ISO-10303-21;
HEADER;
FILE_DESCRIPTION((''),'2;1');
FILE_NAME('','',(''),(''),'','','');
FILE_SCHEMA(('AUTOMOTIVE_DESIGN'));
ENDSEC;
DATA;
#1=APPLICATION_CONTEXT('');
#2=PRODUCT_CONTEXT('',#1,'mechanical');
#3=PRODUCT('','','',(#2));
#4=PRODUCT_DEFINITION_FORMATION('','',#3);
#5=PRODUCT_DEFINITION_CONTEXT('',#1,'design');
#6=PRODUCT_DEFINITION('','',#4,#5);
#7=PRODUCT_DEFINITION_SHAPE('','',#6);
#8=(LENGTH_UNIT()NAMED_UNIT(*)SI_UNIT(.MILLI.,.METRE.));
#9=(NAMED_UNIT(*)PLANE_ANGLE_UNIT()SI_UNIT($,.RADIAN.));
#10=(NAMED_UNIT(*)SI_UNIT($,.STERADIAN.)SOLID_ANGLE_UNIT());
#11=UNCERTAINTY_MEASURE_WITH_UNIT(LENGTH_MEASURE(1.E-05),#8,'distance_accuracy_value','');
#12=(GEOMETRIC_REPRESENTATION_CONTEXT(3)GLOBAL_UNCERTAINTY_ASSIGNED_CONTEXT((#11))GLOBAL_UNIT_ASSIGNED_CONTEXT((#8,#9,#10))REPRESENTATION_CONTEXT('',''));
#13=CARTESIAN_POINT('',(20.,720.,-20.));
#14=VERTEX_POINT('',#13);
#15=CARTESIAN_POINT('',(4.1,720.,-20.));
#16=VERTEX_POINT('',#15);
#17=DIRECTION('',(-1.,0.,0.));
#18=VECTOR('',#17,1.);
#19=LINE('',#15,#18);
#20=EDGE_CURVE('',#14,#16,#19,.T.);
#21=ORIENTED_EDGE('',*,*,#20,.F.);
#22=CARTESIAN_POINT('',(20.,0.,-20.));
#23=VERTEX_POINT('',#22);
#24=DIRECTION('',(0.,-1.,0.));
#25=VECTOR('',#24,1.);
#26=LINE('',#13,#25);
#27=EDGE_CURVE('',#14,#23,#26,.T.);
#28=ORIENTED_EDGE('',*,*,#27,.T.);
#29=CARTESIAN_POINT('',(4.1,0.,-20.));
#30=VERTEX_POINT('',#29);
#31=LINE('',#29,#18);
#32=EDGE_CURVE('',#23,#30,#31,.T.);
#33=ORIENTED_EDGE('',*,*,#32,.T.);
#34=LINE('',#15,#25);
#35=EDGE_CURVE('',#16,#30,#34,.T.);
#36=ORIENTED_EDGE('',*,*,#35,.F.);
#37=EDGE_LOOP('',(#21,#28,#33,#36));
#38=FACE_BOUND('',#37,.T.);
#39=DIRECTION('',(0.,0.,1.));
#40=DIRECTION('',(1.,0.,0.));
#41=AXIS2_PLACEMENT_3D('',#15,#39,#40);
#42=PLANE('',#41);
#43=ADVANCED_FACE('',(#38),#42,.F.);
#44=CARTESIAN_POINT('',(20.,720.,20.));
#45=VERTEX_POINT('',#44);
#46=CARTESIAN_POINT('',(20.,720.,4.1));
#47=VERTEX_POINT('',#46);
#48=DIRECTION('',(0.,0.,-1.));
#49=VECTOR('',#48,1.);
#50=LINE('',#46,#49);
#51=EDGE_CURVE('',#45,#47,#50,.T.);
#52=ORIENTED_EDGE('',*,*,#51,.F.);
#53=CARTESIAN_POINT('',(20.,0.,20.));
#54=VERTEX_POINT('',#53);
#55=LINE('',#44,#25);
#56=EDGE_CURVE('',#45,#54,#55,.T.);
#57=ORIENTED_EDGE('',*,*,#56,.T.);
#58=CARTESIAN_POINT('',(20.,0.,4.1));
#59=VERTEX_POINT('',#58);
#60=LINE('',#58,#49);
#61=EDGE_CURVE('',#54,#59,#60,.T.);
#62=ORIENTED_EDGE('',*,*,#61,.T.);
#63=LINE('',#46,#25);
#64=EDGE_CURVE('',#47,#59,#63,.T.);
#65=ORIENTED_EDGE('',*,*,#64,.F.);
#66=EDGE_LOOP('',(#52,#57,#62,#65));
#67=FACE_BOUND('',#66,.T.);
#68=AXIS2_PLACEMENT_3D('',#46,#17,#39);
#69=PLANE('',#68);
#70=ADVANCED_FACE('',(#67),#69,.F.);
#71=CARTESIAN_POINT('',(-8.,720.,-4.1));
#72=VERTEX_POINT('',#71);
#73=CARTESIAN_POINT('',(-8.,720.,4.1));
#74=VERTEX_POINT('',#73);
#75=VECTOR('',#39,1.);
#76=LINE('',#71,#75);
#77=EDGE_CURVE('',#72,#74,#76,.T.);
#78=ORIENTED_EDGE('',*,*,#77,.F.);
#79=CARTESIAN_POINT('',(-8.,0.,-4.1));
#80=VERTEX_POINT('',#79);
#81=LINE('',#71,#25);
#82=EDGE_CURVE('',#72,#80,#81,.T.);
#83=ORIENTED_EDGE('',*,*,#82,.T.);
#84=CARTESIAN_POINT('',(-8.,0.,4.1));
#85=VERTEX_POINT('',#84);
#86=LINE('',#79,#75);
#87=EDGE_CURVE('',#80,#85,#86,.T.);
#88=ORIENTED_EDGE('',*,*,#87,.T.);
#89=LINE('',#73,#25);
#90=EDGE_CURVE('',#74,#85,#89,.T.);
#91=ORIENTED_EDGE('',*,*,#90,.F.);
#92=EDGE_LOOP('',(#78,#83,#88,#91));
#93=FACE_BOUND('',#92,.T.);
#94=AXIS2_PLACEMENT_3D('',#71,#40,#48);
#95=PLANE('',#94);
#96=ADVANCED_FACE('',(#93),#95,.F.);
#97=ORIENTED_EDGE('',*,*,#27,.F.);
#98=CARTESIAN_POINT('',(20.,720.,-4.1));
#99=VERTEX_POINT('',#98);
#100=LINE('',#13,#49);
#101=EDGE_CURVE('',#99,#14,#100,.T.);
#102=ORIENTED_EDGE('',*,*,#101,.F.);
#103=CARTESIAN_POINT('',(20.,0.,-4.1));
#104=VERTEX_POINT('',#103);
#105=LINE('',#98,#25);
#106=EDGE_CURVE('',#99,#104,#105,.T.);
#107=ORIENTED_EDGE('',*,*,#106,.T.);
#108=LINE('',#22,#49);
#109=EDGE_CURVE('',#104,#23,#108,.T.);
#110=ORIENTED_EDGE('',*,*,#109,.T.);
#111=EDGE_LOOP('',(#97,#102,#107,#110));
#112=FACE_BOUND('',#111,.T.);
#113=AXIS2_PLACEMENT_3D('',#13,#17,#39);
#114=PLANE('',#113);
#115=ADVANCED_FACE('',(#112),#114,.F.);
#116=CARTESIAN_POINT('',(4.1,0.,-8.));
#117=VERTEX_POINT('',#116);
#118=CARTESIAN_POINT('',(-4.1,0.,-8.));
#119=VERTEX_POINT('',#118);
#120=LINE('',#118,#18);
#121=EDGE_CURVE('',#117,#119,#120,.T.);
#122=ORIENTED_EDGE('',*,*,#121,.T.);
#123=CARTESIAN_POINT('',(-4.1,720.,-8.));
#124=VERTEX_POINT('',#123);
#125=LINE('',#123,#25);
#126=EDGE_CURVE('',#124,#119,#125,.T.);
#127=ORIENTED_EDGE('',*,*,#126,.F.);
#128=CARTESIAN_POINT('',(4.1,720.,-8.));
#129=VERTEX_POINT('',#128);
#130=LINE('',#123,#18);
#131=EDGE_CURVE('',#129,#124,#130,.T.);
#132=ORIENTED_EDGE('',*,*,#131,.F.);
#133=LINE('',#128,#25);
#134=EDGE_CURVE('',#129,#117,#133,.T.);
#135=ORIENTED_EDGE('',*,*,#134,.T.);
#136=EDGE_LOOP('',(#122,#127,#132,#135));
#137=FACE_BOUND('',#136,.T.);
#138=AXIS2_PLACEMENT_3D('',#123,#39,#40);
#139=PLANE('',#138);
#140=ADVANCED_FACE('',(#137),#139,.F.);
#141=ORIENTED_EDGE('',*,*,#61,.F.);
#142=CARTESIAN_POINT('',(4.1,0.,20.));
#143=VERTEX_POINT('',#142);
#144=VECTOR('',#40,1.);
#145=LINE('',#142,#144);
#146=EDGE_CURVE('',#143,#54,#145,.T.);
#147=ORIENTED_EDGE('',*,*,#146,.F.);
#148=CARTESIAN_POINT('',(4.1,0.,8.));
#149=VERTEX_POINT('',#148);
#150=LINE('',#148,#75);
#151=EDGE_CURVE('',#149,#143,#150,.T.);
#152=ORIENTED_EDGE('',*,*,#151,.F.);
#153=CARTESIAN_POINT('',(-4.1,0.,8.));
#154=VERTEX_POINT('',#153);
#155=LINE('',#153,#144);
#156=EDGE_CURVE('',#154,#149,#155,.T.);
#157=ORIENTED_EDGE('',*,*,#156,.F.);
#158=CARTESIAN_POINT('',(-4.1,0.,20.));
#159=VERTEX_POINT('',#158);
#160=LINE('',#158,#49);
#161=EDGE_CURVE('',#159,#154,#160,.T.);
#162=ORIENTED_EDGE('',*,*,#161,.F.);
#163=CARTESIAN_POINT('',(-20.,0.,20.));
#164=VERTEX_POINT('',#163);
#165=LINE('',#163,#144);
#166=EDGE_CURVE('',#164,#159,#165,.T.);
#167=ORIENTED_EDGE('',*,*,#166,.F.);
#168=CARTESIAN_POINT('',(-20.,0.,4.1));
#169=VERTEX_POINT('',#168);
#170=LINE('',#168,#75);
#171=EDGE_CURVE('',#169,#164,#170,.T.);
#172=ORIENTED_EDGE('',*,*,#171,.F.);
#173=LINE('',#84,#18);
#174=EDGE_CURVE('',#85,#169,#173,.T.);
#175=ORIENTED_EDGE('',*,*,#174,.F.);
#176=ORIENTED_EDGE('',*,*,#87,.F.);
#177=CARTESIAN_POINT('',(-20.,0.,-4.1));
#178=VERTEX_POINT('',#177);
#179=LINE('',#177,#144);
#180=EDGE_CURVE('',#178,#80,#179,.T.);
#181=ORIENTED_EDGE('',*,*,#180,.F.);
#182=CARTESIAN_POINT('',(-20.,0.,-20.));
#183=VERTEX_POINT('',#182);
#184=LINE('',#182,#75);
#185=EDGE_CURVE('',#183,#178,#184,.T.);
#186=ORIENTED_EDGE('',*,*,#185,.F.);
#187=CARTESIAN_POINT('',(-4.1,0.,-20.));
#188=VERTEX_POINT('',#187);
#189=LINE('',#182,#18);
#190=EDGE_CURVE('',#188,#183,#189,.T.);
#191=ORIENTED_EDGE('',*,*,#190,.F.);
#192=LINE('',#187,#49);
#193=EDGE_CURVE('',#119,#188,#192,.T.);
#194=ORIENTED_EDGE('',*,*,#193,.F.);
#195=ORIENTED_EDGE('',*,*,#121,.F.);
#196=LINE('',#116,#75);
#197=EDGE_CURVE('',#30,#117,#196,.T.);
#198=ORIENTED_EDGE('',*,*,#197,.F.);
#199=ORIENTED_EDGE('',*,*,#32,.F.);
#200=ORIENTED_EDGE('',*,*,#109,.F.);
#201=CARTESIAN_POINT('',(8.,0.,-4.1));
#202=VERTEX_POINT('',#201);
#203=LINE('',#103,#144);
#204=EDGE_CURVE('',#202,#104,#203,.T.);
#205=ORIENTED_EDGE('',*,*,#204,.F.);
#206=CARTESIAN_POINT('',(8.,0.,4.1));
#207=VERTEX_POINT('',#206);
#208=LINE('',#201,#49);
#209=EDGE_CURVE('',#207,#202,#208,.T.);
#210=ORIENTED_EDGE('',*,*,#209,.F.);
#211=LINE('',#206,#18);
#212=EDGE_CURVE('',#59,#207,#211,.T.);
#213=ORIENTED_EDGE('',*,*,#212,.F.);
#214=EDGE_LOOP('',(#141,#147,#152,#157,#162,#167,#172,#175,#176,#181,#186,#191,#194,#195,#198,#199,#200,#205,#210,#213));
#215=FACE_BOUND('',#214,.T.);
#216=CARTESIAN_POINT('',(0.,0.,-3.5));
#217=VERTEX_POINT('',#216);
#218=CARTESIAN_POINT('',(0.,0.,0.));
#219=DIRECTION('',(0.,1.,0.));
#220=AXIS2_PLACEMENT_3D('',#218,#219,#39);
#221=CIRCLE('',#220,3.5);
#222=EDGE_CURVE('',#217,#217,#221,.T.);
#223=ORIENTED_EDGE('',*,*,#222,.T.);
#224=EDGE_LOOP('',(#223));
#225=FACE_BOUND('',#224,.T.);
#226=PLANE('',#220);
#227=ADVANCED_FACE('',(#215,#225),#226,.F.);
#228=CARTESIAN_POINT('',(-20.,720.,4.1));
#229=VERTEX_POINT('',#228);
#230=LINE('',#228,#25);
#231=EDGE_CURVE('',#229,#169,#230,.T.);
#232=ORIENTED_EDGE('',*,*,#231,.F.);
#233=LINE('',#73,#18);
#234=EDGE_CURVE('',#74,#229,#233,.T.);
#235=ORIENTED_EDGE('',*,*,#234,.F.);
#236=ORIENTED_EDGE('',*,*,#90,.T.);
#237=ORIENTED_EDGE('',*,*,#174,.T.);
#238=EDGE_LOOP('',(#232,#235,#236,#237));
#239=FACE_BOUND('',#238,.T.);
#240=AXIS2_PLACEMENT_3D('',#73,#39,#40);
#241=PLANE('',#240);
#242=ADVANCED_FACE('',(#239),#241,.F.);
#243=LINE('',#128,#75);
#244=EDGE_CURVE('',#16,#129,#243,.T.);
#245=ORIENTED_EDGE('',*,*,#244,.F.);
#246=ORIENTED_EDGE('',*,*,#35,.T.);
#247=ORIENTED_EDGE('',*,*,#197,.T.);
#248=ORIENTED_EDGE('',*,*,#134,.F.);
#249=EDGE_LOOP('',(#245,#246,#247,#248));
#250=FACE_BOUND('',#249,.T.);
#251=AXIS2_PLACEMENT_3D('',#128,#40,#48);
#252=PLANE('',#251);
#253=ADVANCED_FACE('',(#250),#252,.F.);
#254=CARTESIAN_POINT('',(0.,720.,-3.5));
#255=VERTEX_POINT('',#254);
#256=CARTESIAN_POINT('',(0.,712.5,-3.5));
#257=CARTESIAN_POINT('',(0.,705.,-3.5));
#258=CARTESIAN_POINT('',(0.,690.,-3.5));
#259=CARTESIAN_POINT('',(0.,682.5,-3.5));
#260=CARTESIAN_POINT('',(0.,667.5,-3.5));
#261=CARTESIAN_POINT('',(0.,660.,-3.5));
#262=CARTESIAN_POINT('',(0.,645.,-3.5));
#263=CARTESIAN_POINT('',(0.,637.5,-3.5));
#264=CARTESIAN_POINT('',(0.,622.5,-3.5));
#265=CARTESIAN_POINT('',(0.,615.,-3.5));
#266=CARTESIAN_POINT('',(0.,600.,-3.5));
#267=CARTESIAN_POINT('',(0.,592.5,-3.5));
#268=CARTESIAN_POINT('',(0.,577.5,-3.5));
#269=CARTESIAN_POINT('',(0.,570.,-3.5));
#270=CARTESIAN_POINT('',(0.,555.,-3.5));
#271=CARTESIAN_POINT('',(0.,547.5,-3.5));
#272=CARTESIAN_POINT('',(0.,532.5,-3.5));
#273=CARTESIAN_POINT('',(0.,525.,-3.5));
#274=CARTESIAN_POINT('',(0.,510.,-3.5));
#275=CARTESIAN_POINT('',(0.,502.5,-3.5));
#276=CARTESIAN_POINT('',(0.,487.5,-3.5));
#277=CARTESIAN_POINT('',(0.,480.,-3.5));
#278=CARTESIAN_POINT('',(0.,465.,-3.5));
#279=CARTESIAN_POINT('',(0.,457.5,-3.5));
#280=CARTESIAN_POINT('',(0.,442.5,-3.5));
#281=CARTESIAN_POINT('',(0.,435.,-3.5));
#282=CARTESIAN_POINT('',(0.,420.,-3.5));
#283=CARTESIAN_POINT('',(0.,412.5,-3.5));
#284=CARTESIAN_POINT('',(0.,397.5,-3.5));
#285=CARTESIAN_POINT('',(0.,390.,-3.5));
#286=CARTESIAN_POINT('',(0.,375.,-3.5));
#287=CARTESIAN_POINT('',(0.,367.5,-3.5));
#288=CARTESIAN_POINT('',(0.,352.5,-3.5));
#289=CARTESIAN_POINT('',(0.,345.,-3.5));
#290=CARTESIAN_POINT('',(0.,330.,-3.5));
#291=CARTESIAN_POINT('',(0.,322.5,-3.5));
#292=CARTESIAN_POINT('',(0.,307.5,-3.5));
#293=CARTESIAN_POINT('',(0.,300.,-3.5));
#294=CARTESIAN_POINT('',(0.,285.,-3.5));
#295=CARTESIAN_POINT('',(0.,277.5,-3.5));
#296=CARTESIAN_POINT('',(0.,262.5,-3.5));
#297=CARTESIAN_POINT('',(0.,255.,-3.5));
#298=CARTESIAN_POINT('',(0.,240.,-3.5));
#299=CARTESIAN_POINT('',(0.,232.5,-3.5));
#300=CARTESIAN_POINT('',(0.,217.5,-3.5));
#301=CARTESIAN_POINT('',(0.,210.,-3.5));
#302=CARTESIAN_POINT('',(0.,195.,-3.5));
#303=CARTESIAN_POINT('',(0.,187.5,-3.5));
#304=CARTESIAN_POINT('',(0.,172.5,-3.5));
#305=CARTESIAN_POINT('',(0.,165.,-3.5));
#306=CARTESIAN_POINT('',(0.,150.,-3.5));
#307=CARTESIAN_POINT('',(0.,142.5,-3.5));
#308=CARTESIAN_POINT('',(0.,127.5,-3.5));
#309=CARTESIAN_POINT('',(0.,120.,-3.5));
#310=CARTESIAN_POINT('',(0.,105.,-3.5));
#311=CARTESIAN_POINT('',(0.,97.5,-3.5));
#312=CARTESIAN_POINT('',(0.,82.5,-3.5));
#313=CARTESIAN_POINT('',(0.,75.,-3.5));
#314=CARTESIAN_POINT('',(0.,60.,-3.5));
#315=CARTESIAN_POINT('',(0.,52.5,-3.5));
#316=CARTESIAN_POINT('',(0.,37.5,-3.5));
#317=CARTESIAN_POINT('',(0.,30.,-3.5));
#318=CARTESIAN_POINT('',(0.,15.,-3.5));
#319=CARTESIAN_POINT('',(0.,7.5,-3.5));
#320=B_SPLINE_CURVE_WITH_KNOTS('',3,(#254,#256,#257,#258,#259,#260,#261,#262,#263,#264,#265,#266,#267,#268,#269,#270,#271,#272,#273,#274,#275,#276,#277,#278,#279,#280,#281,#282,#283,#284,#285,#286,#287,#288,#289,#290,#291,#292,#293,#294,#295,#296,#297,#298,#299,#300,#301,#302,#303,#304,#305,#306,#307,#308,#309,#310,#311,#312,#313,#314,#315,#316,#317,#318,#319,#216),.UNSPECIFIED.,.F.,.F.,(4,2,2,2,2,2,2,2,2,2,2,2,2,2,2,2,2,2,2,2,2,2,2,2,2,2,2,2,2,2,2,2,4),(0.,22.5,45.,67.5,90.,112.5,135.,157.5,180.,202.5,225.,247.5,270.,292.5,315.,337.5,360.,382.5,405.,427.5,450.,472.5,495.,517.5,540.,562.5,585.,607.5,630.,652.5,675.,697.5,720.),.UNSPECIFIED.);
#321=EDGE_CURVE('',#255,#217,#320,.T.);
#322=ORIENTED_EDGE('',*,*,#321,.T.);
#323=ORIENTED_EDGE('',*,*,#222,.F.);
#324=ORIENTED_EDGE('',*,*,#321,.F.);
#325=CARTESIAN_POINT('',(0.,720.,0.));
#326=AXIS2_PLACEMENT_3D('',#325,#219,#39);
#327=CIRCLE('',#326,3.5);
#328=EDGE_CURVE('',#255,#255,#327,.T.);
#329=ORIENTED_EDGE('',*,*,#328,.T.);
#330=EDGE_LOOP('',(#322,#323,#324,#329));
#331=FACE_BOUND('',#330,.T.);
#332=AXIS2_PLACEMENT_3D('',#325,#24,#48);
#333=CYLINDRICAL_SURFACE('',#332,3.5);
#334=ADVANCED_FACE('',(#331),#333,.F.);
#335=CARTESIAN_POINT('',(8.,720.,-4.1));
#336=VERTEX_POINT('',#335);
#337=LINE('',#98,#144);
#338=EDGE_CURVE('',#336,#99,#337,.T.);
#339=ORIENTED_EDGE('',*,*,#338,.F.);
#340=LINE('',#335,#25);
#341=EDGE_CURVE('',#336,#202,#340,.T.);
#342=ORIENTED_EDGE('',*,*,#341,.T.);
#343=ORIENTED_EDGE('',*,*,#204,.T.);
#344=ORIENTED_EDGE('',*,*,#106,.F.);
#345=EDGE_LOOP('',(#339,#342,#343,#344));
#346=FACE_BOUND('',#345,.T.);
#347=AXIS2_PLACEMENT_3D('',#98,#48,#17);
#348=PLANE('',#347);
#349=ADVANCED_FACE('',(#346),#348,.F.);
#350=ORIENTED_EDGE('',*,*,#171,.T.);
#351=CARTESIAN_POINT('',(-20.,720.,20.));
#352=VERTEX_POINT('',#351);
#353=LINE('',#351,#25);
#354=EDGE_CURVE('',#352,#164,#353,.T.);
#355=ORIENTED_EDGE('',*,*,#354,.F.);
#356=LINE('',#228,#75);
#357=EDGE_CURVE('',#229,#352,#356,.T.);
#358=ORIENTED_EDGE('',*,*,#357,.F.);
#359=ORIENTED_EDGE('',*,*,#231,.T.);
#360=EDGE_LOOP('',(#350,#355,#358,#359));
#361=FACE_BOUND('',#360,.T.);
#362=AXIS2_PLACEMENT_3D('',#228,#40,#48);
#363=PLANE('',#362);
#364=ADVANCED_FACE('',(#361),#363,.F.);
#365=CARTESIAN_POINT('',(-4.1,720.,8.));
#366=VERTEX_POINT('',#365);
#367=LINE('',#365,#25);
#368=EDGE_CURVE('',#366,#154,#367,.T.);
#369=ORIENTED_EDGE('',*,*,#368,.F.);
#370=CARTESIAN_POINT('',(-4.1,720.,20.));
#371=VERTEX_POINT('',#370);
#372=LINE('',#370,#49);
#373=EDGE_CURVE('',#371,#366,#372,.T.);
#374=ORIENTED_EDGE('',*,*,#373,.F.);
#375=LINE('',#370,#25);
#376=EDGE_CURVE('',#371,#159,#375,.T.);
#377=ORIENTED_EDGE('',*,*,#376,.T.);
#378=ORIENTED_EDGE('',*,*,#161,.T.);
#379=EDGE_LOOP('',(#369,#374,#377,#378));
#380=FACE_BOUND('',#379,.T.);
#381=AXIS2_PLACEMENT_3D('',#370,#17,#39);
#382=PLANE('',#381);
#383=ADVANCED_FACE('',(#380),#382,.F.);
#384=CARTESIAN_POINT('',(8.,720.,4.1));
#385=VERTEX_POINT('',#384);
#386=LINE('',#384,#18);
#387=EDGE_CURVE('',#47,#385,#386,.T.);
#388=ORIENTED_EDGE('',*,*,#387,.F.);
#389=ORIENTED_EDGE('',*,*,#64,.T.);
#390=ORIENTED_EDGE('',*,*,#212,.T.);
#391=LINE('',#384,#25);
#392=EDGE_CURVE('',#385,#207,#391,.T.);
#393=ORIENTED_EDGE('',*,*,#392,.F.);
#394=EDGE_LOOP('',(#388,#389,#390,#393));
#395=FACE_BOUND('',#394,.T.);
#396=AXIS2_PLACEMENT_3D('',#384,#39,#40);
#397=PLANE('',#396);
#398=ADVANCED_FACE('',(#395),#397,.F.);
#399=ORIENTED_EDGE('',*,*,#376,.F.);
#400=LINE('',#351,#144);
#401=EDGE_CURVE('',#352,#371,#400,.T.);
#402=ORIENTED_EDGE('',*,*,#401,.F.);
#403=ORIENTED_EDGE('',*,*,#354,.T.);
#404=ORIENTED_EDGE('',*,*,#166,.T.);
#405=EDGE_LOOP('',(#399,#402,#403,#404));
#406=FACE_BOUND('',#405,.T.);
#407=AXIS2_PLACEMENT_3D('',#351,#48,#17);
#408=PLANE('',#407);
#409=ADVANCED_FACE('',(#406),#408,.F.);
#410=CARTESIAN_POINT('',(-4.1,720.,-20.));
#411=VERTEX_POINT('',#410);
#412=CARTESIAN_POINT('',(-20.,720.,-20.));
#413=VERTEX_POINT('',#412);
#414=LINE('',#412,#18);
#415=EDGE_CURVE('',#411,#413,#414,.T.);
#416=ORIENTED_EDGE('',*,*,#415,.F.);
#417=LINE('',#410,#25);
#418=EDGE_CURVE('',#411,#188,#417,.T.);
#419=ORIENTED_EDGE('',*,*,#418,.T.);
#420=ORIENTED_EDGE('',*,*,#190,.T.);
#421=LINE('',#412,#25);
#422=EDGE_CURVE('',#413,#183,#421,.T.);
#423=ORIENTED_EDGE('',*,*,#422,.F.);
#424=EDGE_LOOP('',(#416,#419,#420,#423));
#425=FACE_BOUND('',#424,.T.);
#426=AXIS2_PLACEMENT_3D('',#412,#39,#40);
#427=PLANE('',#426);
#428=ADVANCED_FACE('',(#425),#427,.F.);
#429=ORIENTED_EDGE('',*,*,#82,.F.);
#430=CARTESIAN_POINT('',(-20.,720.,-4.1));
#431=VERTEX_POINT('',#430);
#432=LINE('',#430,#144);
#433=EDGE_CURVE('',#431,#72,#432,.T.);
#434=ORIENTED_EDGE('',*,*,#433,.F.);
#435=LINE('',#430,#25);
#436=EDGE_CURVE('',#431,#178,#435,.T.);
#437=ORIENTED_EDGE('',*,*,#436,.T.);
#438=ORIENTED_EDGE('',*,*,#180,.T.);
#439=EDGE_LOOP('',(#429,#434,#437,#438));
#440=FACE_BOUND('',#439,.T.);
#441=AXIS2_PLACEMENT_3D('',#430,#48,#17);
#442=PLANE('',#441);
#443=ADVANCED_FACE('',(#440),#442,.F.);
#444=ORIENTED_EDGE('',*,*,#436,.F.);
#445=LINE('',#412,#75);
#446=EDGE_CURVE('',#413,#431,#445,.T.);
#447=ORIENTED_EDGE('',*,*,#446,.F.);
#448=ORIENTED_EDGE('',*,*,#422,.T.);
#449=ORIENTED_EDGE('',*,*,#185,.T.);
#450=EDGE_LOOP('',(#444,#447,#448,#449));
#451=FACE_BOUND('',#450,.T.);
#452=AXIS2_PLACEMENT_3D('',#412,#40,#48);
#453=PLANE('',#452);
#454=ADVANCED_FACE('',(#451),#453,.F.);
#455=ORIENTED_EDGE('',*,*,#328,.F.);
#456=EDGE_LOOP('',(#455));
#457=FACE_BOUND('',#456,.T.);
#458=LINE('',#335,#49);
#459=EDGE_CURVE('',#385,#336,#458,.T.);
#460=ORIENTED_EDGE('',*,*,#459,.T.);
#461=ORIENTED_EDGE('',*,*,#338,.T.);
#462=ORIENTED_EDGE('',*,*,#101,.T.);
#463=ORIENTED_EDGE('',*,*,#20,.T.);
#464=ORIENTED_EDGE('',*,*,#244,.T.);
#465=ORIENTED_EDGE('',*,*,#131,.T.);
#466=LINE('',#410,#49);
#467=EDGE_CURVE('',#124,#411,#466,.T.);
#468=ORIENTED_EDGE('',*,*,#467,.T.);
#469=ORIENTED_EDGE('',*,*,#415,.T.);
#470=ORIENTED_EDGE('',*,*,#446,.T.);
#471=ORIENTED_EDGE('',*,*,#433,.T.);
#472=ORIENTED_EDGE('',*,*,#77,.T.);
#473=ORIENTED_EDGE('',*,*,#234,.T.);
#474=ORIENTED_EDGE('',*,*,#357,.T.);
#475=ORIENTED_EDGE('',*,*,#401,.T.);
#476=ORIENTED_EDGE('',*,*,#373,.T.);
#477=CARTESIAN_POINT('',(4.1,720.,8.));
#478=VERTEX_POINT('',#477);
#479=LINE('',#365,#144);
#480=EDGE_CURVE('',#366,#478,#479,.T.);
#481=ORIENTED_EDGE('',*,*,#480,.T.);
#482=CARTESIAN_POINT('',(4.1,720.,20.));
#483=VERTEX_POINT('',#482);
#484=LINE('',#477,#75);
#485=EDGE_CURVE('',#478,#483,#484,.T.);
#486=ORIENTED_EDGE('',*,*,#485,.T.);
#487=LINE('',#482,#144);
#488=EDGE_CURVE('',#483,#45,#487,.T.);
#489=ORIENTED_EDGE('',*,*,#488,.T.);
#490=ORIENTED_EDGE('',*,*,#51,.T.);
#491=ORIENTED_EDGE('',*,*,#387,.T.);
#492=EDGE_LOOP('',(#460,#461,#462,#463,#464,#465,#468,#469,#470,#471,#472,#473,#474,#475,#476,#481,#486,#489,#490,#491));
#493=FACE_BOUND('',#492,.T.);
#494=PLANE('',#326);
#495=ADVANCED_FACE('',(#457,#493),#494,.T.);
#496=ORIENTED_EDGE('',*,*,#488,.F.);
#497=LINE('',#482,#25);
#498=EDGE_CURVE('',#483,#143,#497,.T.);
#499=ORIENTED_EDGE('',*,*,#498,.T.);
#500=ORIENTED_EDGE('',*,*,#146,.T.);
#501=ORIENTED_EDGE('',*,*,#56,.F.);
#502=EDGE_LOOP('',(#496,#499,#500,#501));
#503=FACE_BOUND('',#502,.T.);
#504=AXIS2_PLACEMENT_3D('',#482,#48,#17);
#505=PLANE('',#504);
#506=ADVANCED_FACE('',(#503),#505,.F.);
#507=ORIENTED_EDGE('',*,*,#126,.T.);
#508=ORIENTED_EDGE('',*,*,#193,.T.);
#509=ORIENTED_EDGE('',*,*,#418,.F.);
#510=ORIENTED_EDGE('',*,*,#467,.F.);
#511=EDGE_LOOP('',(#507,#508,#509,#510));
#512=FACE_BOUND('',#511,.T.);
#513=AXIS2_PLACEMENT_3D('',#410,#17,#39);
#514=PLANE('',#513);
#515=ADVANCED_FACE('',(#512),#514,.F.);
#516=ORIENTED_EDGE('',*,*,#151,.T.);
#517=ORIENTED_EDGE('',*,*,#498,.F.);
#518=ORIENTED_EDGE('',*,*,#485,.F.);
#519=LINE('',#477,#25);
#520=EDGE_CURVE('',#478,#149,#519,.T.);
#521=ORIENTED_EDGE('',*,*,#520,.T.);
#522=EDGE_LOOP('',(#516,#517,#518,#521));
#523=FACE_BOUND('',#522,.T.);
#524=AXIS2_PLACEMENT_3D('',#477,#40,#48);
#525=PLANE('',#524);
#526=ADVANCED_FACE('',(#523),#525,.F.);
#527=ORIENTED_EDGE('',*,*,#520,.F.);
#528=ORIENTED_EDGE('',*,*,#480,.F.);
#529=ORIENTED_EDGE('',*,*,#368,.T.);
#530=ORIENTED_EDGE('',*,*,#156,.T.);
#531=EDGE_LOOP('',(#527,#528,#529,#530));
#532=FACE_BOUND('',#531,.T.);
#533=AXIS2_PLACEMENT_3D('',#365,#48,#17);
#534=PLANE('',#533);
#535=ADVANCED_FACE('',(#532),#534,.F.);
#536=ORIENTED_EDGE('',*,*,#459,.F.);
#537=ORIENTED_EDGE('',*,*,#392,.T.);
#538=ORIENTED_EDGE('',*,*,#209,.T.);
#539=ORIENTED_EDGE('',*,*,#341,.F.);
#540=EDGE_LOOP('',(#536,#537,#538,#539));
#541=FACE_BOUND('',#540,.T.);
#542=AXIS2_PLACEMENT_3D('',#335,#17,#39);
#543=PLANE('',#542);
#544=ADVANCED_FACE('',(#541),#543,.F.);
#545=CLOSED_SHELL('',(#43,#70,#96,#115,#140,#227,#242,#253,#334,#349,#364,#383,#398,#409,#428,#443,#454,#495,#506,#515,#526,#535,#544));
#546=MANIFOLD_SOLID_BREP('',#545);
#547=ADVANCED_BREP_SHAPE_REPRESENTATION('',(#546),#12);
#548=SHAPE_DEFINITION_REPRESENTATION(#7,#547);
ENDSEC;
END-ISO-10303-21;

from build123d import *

# Parameters (mm, degrees)
SKIZZE1_R                       = 3.5
AUFSATZ_LINEAR_AUSTRAGEN1_DEPTH = 720


with BuildPart() as part:
    # Skizze1 → Aufsatz-Linear austragen1 (new body)
    with BuildSketch(Plane(origin=(0, 0, 0), x_dir=(1, 0, 0), z_dir=(0, 1, 0))):
        Polygon((-4.1, -20), (-4.1, -8), (4.1, -8), (4.1, -20), (20, -20), (20, -4.1), (8, -4.1), (8, 4.1), (20, 4.1), (20, 20), (4.1, 20), (4.1, 8), (-4.1, 8), (-4.1, 20), (-20, 20), (-20, 4.1), (-8, 4.1), (-8, -4.1), (-20, -4.1), (-20, -20), align=None)
        with Locations(Location((0, 0, 0), (0, 0, 90))):
            Circle(SKIZZE1_R, mode=Mode.SUBTRACT)
    extrude(amount=AUFSATZ_LINEAR_AUSTRAGEN1_DEPTH)


solid = part.part
